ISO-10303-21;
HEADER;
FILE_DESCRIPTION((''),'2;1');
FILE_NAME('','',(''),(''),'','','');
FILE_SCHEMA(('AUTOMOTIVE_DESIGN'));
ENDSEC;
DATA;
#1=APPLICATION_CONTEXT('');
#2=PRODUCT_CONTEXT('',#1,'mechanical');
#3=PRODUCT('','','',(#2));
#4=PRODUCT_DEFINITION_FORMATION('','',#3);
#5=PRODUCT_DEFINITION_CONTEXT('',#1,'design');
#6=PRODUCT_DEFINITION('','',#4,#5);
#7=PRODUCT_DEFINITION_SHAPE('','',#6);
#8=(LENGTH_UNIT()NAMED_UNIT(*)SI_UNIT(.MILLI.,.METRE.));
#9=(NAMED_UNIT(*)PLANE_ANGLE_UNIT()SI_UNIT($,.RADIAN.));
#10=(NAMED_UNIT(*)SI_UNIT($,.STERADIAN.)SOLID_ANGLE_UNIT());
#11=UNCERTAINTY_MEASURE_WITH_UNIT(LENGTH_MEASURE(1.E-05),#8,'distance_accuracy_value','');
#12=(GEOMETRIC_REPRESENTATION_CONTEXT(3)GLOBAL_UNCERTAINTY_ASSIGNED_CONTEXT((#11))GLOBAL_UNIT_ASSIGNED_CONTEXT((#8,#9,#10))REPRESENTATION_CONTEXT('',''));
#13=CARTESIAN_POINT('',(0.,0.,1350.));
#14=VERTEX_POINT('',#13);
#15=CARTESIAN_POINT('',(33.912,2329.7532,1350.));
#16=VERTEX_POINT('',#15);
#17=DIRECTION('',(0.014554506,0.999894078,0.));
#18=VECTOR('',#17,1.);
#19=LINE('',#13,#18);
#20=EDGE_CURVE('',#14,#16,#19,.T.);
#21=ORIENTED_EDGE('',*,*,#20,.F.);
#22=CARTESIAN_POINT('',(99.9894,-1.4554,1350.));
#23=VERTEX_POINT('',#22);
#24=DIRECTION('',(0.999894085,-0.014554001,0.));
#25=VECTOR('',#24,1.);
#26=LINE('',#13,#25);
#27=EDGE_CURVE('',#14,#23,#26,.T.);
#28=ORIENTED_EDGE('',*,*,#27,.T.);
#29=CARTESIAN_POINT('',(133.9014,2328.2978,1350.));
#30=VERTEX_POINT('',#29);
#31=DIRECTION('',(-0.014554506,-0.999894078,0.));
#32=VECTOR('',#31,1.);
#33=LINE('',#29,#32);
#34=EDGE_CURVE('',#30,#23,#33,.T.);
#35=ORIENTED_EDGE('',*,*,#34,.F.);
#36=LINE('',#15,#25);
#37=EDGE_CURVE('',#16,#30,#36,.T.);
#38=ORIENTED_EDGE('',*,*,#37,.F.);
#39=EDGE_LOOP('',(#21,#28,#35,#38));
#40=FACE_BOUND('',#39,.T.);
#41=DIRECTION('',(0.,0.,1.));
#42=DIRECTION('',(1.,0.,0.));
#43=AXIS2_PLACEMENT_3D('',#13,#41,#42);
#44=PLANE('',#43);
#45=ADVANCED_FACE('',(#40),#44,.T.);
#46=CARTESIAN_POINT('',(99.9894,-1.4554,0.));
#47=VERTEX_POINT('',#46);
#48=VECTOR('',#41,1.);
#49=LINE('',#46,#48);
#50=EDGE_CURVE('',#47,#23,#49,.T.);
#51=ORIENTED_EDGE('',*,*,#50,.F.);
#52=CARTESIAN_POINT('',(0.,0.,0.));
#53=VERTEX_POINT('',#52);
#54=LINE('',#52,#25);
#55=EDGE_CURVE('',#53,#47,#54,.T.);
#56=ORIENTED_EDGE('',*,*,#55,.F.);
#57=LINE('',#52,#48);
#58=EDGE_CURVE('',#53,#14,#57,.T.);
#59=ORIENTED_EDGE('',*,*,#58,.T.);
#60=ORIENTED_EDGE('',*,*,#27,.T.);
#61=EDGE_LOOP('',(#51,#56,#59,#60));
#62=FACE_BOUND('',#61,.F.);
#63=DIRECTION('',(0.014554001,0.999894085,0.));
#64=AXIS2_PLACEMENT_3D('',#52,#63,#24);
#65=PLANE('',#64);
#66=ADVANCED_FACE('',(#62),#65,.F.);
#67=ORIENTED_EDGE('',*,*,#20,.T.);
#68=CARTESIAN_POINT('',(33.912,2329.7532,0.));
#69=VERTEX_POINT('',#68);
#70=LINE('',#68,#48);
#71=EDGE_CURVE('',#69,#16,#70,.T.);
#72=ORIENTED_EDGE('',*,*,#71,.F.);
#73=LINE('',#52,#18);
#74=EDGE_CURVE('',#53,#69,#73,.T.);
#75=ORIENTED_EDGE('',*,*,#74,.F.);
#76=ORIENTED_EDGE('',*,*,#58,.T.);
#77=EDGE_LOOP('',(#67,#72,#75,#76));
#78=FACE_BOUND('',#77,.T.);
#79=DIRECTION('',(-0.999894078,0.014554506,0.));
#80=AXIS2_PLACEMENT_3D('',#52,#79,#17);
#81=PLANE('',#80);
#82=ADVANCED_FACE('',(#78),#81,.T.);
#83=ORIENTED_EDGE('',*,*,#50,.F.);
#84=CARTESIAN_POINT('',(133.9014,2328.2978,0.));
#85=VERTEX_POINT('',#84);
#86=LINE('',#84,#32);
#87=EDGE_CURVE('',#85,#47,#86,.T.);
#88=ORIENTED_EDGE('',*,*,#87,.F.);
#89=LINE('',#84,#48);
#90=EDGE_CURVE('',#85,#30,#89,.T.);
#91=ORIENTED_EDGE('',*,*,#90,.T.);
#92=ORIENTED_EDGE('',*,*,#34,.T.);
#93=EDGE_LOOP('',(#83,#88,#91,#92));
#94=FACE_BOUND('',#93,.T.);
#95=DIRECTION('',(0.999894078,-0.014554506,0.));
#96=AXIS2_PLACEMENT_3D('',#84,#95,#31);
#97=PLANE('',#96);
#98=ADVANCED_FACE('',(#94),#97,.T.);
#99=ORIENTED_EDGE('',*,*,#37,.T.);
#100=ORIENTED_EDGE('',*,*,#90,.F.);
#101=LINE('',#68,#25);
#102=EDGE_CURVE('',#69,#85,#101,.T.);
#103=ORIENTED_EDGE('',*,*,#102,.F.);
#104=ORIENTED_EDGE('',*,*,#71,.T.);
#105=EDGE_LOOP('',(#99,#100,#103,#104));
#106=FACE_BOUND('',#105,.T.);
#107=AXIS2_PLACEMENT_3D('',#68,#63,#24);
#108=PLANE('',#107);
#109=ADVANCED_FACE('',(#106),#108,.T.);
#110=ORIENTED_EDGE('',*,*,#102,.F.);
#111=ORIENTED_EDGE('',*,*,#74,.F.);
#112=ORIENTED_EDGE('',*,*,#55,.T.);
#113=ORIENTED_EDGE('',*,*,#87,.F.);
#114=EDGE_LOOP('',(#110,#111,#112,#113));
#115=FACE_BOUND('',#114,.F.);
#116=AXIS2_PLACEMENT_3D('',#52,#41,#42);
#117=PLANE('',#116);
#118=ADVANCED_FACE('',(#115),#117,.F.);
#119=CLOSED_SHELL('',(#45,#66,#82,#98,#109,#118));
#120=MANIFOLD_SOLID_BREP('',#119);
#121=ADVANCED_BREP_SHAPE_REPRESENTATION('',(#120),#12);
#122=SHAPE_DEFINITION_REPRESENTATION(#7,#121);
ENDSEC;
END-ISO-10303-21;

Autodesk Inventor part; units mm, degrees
ref_plane "YZ Plane" through (0, 0, 0) normal (1, 0, 0) x (0, 1, 0)
ref_plane "XZ Plane" through (0, 0, 0) normal (0, 1, 0) x (-1, 0, 0)
sketch "Boceto1" plane through (0, 0, 0) normal (0, 0, 1) x (1, 0, 0)
  line L0 (133.9014, 2328.2978) -> (99.9894, -1.4554) projected
  line L1 (33.912, 2329.7532) -> (133.9014, 2328.2978) projected
  line L2 (0, 0) -> (33.912, 2329.7532) projected
  line L3 (0, 0) -> (99.9894, -1.4554) projected
ref_plane "Plano de trabajo1" through (0, -1.4554, 1350) normal (0, 0, -1) x (0, 1, 0)
extrude "Extrusión1" add sketch "Boceto1" along normal up to surface (1350 mm away)
properties part number "Ventana"
